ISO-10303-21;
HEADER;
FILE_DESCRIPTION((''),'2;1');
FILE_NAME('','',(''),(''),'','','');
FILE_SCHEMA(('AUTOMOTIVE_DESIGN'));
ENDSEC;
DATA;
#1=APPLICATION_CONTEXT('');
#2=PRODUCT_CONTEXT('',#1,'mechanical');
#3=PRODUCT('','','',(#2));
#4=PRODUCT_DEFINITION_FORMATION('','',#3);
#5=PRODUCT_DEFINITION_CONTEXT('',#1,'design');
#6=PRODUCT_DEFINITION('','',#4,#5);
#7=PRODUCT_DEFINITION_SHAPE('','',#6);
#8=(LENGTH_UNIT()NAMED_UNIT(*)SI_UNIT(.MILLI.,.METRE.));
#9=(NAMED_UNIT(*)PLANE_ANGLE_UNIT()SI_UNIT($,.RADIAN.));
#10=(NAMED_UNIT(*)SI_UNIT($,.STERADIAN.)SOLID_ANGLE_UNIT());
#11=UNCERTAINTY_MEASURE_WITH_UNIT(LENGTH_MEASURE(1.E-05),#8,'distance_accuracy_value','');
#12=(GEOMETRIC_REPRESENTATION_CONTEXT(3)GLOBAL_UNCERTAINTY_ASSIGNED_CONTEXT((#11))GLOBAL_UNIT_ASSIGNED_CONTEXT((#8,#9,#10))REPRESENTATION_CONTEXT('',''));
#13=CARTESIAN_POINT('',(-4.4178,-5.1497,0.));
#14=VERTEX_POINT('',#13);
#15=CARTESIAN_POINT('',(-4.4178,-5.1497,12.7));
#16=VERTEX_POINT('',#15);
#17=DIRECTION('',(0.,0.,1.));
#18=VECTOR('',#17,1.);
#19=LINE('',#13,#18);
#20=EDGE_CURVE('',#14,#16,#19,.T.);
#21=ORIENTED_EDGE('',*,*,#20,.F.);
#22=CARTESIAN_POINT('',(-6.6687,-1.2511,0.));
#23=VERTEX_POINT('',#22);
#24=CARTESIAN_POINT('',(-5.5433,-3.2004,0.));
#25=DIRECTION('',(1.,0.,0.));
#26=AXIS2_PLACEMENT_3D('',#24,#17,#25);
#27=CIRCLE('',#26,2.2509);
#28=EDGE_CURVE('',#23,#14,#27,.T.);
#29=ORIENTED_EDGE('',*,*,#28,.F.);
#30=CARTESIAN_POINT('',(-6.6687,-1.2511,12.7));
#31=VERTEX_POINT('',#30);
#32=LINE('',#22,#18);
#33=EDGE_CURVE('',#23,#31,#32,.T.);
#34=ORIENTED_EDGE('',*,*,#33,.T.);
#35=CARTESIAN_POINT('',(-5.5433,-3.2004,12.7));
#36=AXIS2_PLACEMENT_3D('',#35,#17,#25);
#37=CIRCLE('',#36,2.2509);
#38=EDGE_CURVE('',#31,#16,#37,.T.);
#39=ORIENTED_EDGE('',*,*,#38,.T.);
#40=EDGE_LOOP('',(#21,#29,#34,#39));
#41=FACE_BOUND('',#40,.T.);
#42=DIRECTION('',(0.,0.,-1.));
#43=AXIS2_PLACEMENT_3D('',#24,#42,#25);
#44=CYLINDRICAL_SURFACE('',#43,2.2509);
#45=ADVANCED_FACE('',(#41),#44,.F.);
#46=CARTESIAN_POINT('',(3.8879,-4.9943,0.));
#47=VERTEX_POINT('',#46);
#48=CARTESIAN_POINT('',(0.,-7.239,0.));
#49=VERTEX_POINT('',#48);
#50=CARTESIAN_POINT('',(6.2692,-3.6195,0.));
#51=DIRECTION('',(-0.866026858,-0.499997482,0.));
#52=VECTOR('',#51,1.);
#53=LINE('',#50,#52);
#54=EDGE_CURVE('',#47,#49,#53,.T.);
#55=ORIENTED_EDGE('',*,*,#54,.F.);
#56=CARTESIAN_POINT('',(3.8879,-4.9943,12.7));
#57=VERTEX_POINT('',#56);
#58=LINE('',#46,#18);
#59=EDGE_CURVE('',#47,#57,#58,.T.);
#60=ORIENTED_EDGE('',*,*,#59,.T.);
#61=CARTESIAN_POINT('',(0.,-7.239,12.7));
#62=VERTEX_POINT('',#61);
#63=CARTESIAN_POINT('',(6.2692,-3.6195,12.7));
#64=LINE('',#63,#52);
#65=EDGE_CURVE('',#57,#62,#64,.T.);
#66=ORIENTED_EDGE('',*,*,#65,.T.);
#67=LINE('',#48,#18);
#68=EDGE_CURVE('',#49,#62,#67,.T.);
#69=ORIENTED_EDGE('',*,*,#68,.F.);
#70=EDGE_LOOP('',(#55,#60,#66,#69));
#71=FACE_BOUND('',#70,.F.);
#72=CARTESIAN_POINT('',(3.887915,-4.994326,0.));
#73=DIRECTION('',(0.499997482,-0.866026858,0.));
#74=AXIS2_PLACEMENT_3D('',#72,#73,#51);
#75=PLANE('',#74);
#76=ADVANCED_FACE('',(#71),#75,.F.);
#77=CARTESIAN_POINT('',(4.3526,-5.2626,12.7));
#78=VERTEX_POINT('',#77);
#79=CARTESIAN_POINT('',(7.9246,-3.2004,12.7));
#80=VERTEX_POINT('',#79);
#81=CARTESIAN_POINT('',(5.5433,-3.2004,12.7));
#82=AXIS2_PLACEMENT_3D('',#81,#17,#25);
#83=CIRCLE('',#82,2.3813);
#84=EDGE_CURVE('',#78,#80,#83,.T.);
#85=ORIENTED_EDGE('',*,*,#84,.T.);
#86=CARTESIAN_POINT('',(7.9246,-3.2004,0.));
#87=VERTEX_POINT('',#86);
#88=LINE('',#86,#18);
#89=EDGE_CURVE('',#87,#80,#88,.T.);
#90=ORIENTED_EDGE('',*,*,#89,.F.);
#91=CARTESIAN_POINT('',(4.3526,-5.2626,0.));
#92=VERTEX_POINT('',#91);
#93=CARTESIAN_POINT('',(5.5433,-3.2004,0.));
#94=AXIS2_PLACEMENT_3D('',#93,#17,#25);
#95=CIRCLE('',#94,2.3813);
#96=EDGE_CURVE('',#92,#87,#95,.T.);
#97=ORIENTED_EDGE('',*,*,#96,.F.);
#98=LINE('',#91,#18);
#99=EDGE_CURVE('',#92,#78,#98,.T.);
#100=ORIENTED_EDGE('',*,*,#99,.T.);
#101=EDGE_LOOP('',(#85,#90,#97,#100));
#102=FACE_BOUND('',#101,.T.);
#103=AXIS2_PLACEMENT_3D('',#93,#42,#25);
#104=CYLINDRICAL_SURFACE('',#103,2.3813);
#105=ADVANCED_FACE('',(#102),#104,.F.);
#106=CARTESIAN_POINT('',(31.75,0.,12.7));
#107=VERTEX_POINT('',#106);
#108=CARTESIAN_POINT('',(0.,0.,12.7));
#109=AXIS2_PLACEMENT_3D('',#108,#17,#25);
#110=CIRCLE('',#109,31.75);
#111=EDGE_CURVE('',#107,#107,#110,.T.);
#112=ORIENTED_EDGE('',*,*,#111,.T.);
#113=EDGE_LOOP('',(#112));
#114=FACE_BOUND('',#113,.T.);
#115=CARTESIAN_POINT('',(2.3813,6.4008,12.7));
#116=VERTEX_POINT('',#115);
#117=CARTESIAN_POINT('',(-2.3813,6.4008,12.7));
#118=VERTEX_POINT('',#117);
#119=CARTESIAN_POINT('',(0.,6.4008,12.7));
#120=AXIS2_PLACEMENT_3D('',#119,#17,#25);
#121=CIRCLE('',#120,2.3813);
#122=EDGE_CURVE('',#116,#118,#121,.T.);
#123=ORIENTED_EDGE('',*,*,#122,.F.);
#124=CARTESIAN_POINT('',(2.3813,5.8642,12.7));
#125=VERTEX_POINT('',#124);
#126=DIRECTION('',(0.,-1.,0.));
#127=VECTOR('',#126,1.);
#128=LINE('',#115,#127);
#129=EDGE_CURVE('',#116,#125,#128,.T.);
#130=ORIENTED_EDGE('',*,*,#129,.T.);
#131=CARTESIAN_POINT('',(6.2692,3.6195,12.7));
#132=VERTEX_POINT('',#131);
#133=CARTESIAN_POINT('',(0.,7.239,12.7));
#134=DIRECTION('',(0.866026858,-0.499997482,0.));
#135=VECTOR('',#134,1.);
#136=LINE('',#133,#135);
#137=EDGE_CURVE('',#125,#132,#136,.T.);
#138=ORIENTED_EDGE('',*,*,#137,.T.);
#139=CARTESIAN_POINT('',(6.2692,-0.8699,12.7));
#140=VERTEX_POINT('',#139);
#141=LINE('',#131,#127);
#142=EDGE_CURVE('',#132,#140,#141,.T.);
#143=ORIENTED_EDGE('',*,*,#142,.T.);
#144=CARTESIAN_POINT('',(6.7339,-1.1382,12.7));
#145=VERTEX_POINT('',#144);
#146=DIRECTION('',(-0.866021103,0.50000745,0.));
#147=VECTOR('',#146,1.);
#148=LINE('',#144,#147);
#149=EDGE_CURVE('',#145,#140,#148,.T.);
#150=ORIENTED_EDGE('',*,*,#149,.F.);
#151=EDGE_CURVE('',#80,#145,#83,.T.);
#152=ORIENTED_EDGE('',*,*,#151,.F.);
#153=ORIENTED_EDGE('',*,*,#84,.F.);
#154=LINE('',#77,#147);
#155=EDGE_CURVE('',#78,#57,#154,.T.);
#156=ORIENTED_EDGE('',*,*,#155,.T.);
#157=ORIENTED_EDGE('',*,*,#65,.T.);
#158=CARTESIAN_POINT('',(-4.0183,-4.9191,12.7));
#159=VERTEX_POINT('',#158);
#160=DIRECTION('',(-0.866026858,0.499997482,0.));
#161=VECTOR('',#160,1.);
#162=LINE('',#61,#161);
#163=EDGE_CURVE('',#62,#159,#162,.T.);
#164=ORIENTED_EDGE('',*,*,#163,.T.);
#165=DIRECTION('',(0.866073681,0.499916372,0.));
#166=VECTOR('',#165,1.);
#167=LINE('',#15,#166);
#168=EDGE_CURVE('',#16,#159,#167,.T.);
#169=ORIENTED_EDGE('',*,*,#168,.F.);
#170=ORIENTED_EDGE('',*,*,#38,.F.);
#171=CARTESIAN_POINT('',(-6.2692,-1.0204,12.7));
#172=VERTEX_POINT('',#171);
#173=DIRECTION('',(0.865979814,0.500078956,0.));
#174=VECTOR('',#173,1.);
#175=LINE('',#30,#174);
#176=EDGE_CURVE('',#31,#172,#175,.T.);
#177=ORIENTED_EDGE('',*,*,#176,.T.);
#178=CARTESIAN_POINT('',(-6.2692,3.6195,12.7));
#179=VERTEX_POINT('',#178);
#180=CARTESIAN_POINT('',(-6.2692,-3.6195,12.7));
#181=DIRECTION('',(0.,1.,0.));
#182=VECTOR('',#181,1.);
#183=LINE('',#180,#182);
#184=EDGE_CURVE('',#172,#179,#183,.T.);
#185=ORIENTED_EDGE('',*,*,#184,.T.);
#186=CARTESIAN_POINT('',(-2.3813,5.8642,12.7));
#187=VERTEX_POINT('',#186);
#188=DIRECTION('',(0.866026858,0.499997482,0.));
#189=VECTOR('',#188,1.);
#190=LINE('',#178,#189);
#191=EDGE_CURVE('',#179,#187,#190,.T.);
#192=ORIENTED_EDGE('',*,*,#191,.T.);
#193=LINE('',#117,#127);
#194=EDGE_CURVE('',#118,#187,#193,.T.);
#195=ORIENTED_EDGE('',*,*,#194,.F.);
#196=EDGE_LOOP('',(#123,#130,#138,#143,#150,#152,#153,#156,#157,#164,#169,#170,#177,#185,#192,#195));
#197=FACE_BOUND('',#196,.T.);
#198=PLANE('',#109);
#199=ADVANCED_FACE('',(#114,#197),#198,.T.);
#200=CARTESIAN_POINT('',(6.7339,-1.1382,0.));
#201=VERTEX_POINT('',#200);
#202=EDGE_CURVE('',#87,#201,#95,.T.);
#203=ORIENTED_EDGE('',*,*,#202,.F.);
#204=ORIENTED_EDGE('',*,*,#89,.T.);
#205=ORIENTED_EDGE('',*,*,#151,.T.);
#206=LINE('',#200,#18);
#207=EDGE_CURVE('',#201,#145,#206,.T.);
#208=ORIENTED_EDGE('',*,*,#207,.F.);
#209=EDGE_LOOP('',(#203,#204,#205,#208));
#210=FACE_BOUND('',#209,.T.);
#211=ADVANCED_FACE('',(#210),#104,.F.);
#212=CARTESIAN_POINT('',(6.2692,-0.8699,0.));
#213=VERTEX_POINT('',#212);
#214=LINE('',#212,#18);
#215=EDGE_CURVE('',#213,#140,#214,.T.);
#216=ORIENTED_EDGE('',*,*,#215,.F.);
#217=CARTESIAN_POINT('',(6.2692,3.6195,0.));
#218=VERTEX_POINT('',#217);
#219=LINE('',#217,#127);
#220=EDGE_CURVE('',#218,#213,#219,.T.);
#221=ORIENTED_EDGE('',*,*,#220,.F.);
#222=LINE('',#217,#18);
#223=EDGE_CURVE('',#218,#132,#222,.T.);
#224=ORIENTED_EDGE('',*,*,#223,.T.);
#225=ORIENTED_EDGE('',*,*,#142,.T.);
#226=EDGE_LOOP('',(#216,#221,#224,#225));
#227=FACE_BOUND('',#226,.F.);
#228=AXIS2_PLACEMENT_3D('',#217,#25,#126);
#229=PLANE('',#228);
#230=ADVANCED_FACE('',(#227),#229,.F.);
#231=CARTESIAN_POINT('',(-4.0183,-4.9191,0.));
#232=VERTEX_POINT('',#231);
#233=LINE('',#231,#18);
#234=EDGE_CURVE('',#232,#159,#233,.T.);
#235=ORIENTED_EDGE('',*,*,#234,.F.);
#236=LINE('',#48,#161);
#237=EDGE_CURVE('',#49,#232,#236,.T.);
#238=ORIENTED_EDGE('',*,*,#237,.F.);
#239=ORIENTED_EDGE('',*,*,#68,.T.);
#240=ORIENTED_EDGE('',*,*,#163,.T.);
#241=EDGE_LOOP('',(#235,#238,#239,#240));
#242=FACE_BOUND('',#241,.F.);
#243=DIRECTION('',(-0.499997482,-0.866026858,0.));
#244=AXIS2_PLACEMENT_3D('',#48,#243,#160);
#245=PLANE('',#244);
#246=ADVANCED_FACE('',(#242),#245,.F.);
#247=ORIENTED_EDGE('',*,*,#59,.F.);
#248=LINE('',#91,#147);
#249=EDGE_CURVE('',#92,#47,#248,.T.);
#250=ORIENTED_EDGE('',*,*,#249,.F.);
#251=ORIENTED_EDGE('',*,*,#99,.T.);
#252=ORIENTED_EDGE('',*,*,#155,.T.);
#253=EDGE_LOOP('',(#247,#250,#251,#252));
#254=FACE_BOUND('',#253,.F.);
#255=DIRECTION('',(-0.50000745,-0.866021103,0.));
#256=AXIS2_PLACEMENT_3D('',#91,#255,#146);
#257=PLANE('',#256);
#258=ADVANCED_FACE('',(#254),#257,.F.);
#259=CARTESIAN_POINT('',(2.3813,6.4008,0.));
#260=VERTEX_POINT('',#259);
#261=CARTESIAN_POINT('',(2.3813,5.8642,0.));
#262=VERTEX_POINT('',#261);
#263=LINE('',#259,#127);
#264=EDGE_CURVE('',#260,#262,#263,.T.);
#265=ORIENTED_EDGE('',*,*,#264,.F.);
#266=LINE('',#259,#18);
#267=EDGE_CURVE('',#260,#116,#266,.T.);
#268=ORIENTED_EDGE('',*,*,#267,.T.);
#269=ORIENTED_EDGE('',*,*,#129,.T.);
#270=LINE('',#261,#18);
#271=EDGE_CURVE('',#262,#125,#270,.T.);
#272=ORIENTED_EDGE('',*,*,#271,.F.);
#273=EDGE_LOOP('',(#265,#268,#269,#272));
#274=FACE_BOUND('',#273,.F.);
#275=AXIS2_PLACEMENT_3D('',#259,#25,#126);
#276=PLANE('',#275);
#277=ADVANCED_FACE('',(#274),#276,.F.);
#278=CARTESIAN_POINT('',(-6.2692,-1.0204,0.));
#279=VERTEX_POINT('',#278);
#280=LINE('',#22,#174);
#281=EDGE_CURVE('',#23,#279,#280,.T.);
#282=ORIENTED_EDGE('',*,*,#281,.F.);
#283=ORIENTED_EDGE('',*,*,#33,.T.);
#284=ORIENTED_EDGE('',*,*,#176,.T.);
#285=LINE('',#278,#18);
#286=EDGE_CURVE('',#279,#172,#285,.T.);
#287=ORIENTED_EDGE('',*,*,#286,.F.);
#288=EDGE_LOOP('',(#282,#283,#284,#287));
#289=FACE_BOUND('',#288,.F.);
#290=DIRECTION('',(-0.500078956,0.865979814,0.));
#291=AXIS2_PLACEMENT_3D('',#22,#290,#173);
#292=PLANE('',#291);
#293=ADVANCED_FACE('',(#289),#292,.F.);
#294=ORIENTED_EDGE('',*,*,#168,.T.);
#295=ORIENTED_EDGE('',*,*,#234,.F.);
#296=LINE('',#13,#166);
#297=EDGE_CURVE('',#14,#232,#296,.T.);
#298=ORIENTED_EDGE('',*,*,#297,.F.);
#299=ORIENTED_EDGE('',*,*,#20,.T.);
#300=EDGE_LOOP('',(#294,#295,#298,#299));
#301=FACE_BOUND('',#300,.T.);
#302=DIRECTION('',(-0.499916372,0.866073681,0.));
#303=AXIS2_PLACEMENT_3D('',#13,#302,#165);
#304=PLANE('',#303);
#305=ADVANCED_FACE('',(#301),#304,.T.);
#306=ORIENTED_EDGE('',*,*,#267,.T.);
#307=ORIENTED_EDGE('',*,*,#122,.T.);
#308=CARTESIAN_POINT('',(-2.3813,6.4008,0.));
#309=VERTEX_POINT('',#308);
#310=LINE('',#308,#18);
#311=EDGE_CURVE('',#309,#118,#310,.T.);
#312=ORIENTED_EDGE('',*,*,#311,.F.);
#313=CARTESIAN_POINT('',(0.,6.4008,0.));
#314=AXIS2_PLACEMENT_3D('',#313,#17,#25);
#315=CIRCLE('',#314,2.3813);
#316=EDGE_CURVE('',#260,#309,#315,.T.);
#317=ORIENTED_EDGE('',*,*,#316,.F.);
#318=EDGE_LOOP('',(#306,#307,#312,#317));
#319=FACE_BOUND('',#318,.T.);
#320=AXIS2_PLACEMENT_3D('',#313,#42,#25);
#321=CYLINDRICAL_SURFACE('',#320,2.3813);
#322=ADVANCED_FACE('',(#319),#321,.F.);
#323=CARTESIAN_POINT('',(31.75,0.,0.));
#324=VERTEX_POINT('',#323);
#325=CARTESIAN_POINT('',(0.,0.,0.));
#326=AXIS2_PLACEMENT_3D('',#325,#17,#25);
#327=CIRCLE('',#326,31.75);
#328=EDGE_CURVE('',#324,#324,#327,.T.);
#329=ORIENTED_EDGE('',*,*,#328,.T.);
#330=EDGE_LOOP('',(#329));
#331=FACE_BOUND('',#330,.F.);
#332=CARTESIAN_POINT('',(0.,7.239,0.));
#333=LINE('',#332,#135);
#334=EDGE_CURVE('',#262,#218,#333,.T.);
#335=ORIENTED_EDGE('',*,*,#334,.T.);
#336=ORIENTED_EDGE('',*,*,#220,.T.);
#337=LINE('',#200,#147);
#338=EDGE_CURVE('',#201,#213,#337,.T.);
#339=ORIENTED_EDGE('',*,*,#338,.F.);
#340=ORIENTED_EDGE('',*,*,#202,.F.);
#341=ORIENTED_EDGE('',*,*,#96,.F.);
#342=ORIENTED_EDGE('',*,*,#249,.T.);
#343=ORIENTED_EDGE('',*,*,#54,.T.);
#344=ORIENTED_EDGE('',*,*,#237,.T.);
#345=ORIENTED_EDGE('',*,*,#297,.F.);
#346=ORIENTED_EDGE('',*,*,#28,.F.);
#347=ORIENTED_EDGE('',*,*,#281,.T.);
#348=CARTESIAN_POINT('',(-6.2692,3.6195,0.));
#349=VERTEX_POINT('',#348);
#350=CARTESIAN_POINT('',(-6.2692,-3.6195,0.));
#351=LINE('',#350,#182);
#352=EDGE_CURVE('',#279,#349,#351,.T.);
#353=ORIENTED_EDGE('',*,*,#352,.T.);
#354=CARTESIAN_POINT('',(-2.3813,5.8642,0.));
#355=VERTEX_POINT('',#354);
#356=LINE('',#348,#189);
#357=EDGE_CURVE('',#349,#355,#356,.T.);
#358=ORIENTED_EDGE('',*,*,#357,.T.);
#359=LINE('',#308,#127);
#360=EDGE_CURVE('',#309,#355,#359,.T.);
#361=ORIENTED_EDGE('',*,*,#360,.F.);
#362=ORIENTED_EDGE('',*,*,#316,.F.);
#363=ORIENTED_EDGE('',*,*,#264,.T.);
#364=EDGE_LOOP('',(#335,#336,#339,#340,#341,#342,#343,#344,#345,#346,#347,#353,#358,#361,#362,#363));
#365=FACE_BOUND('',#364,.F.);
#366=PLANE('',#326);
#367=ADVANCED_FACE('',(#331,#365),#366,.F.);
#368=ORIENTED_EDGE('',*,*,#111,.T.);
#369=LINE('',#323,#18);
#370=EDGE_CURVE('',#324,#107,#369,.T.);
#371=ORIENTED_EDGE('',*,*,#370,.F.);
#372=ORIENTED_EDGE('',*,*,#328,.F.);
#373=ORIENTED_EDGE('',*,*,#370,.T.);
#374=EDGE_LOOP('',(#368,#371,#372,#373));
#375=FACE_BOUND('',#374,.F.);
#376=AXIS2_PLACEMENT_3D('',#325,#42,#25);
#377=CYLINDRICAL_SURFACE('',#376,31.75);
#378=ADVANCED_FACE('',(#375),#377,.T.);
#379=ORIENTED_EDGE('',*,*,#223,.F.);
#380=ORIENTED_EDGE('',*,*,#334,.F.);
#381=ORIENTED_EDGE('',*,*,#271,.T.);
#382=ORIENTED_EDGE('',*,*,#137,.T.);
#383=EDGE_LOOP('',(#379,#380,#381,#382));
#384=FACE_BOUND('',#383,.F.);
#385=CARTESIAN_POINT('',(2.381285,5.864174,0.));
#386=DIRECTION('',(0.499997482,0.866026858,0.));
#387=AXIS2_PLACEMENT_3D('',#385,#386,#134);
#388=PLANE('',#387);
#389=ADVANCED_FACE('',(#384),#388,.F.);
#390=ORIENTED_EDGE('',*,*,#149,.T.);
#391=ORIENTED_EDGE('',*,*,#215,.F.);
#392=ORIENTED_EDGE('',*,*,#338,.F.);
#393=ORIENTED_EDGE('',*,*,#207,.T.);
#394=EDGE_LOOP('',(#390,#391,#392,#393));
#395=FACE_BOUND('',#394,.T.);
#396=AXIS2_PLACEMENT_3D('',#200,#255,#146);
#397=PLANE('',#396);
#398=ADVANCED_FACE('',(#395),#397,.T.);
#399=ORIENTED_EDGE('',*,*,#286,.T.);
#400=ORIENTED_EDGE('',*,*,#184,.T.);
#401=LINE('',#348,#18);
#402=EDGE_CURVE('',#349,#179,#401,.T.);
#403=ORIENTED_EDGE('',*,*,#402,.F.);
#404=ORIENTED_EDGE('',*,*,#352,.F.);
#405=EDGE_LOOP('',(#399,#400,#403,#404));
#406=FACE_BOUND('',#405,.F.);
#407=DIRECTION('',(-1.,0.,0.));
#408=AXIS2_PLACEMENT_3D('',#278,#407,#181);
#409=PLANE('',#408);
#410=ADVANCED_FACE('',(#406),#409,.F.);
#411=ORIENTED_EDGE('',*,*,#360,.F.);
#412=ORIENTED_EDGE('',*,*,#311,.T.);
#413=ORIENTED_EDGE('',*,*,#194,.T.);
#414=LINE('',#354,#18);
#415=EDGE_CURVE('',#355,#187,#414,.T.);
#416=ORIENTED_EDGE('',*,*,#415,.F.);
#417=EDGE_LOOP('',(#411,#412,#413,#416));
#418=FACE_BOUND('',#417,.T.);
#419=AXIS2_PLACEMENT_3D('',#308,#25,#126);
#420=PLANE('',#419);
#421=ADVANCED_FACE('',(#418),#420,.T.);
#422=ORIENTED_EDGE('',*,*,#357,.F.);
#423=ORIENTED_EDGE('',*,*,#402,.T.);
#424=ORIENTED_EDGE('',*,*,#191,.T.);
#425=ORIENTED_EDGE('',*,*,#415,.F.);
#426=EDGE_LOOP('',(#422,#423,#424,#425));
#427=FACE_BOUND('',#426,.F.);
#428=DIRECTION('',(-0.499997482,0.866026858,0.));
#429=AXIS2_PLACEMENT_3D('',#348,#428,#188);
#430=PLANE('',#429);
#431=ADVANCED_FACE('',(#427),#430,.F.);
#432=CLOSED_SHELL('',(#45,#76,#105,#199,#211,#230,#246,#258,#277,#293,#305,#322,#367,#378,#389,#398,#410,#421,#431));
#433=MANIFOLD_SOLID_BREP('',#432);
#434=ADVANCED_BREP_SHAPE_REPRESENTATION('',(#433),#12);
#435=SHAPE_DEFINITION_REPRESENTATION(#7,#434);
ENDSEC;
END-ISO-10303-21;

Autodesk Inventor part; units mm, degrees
ref_plane "YZ Plane" through (0, 0, 0) normal (1, 0, 0) x (0, 1, 0)
ref_plane "XZ Plane" through (0, 0, 0) normal (0, 1, 0) x (-1, 0, 0)
ref_plane "XY Plane" through (0, 0, 0) normal (0, 0, 1) x (1, 0, 0)
sketch "Sketch1" plane through (0, 0, 0) normal (0, 0, 1) x (1, 0, 0)
  line L0 (0, 0) -> (0, 7.239) construction
  line L1 (0, 0) -> (6.2692, 3.6195) construction
  line L2 (0, 0) -> (6.2692, -3.6195) construction
  line L3 (0, 0) -> (0, -7.239) construction
  line L4 (0, 0) -> (-6.2692, -3.6195) construction
  line L5 (0, 0) -> (-6.2692, 3.6195) construction
  line L6 (0, 7.239) -> (6.2692, 3.6195)
  line L7 (6.2692, 3.6195) -> (6.2692, -3.6195)
  line L8 (6.2692, -3.6195) -> (0, -7.239)
  line L9 (0, -7.239) -> (-6.2692, -3.6195)
  line L10 (-6.2692, -3.6195) -> (-6.2692, 3.6195)
  line L11 (-6.2692, 3.6195) -> (0, 7.239)
  circle A0 centre (0, 0) radius 31.75
  line L12 (0, 0) -> (0, 6.4008)
  circle A1 centre (0, 6.4008) radius 2.3813
  circle A2 centre (0, 4.4894) radius 2.3813 construction
  line L13 (-2.9354, 9.3347) -> (-2.3293, 5.8974) construction
  line L14 (2.3813, 6.4008) -> (-2.3813, 6.4008)
  line L15 (2.3813, 6.4008) -> (2.3813, 5.8642)
  line L16 (-2.3813, 6.4008) -> (-2.3813, 5.8642)
  line L17 (2.3813, 5.8642) -> (-2.3813, 5.8642)
  line L18 (0, 0) -> (5.5433, -3.2004)
  line L19 (0, 0) -> (-5.5433, -3.2004)
  circle A3 centre (5.5433, -3.2004) radius 2.3813
  circle A4 centre (-5.5433, -3.2004) radius 2.2509
  line L20 (6.7339, -1.1382) -> (4.3526, -5.2626)
  line L21 (6.7339, -1.1382) -> (6.2692, -0.8699)
  line L22 (4.3526, -5.2626) -> (3.8879, -4.9943)
  line L23 (6.2692, -0.8699) -> (3.8879, -4.9943)
  line L24 (-6.6687, -1.2511) -> (-4.4178, -5.1497)
  line L25 (-4.4178, -5.1497) -> (-4.0183, -4.9191)
  line L26 (-6.6687, -1.2511) -> (-6.2692, -1.0204)
  line L27 (-6.2692, -1.0204) -> (-4.0183, -4.9191)
  dimension "d0" = 7.239
  dimension "d1" = 60
  dimension "d2" = 60
  dimension "d6" = 63.5
  dimension "d15" = 4.7625
  dimension "d16" = 6.4008
  dimension "d19" = 4.7625
  dimension "d22" = 110
  dimension "d23" = 4.551
  dimension "d24" = 3.4903
  dimension "d25" = 6.4008
  dimension "d26" = 6.4008
  dimension "d27" = 4.5018
  dimension "d28" = 4.7625
  dimension "d31" = 1.9114
extrude "Extrusion5" add sketch "Sketch1" along normal blind 12.7
equation "\"d25\" = d16"
equation "\"d26\" = d16"
equation "\"d28\" = d15"
properties part number "augmented gear v4"
